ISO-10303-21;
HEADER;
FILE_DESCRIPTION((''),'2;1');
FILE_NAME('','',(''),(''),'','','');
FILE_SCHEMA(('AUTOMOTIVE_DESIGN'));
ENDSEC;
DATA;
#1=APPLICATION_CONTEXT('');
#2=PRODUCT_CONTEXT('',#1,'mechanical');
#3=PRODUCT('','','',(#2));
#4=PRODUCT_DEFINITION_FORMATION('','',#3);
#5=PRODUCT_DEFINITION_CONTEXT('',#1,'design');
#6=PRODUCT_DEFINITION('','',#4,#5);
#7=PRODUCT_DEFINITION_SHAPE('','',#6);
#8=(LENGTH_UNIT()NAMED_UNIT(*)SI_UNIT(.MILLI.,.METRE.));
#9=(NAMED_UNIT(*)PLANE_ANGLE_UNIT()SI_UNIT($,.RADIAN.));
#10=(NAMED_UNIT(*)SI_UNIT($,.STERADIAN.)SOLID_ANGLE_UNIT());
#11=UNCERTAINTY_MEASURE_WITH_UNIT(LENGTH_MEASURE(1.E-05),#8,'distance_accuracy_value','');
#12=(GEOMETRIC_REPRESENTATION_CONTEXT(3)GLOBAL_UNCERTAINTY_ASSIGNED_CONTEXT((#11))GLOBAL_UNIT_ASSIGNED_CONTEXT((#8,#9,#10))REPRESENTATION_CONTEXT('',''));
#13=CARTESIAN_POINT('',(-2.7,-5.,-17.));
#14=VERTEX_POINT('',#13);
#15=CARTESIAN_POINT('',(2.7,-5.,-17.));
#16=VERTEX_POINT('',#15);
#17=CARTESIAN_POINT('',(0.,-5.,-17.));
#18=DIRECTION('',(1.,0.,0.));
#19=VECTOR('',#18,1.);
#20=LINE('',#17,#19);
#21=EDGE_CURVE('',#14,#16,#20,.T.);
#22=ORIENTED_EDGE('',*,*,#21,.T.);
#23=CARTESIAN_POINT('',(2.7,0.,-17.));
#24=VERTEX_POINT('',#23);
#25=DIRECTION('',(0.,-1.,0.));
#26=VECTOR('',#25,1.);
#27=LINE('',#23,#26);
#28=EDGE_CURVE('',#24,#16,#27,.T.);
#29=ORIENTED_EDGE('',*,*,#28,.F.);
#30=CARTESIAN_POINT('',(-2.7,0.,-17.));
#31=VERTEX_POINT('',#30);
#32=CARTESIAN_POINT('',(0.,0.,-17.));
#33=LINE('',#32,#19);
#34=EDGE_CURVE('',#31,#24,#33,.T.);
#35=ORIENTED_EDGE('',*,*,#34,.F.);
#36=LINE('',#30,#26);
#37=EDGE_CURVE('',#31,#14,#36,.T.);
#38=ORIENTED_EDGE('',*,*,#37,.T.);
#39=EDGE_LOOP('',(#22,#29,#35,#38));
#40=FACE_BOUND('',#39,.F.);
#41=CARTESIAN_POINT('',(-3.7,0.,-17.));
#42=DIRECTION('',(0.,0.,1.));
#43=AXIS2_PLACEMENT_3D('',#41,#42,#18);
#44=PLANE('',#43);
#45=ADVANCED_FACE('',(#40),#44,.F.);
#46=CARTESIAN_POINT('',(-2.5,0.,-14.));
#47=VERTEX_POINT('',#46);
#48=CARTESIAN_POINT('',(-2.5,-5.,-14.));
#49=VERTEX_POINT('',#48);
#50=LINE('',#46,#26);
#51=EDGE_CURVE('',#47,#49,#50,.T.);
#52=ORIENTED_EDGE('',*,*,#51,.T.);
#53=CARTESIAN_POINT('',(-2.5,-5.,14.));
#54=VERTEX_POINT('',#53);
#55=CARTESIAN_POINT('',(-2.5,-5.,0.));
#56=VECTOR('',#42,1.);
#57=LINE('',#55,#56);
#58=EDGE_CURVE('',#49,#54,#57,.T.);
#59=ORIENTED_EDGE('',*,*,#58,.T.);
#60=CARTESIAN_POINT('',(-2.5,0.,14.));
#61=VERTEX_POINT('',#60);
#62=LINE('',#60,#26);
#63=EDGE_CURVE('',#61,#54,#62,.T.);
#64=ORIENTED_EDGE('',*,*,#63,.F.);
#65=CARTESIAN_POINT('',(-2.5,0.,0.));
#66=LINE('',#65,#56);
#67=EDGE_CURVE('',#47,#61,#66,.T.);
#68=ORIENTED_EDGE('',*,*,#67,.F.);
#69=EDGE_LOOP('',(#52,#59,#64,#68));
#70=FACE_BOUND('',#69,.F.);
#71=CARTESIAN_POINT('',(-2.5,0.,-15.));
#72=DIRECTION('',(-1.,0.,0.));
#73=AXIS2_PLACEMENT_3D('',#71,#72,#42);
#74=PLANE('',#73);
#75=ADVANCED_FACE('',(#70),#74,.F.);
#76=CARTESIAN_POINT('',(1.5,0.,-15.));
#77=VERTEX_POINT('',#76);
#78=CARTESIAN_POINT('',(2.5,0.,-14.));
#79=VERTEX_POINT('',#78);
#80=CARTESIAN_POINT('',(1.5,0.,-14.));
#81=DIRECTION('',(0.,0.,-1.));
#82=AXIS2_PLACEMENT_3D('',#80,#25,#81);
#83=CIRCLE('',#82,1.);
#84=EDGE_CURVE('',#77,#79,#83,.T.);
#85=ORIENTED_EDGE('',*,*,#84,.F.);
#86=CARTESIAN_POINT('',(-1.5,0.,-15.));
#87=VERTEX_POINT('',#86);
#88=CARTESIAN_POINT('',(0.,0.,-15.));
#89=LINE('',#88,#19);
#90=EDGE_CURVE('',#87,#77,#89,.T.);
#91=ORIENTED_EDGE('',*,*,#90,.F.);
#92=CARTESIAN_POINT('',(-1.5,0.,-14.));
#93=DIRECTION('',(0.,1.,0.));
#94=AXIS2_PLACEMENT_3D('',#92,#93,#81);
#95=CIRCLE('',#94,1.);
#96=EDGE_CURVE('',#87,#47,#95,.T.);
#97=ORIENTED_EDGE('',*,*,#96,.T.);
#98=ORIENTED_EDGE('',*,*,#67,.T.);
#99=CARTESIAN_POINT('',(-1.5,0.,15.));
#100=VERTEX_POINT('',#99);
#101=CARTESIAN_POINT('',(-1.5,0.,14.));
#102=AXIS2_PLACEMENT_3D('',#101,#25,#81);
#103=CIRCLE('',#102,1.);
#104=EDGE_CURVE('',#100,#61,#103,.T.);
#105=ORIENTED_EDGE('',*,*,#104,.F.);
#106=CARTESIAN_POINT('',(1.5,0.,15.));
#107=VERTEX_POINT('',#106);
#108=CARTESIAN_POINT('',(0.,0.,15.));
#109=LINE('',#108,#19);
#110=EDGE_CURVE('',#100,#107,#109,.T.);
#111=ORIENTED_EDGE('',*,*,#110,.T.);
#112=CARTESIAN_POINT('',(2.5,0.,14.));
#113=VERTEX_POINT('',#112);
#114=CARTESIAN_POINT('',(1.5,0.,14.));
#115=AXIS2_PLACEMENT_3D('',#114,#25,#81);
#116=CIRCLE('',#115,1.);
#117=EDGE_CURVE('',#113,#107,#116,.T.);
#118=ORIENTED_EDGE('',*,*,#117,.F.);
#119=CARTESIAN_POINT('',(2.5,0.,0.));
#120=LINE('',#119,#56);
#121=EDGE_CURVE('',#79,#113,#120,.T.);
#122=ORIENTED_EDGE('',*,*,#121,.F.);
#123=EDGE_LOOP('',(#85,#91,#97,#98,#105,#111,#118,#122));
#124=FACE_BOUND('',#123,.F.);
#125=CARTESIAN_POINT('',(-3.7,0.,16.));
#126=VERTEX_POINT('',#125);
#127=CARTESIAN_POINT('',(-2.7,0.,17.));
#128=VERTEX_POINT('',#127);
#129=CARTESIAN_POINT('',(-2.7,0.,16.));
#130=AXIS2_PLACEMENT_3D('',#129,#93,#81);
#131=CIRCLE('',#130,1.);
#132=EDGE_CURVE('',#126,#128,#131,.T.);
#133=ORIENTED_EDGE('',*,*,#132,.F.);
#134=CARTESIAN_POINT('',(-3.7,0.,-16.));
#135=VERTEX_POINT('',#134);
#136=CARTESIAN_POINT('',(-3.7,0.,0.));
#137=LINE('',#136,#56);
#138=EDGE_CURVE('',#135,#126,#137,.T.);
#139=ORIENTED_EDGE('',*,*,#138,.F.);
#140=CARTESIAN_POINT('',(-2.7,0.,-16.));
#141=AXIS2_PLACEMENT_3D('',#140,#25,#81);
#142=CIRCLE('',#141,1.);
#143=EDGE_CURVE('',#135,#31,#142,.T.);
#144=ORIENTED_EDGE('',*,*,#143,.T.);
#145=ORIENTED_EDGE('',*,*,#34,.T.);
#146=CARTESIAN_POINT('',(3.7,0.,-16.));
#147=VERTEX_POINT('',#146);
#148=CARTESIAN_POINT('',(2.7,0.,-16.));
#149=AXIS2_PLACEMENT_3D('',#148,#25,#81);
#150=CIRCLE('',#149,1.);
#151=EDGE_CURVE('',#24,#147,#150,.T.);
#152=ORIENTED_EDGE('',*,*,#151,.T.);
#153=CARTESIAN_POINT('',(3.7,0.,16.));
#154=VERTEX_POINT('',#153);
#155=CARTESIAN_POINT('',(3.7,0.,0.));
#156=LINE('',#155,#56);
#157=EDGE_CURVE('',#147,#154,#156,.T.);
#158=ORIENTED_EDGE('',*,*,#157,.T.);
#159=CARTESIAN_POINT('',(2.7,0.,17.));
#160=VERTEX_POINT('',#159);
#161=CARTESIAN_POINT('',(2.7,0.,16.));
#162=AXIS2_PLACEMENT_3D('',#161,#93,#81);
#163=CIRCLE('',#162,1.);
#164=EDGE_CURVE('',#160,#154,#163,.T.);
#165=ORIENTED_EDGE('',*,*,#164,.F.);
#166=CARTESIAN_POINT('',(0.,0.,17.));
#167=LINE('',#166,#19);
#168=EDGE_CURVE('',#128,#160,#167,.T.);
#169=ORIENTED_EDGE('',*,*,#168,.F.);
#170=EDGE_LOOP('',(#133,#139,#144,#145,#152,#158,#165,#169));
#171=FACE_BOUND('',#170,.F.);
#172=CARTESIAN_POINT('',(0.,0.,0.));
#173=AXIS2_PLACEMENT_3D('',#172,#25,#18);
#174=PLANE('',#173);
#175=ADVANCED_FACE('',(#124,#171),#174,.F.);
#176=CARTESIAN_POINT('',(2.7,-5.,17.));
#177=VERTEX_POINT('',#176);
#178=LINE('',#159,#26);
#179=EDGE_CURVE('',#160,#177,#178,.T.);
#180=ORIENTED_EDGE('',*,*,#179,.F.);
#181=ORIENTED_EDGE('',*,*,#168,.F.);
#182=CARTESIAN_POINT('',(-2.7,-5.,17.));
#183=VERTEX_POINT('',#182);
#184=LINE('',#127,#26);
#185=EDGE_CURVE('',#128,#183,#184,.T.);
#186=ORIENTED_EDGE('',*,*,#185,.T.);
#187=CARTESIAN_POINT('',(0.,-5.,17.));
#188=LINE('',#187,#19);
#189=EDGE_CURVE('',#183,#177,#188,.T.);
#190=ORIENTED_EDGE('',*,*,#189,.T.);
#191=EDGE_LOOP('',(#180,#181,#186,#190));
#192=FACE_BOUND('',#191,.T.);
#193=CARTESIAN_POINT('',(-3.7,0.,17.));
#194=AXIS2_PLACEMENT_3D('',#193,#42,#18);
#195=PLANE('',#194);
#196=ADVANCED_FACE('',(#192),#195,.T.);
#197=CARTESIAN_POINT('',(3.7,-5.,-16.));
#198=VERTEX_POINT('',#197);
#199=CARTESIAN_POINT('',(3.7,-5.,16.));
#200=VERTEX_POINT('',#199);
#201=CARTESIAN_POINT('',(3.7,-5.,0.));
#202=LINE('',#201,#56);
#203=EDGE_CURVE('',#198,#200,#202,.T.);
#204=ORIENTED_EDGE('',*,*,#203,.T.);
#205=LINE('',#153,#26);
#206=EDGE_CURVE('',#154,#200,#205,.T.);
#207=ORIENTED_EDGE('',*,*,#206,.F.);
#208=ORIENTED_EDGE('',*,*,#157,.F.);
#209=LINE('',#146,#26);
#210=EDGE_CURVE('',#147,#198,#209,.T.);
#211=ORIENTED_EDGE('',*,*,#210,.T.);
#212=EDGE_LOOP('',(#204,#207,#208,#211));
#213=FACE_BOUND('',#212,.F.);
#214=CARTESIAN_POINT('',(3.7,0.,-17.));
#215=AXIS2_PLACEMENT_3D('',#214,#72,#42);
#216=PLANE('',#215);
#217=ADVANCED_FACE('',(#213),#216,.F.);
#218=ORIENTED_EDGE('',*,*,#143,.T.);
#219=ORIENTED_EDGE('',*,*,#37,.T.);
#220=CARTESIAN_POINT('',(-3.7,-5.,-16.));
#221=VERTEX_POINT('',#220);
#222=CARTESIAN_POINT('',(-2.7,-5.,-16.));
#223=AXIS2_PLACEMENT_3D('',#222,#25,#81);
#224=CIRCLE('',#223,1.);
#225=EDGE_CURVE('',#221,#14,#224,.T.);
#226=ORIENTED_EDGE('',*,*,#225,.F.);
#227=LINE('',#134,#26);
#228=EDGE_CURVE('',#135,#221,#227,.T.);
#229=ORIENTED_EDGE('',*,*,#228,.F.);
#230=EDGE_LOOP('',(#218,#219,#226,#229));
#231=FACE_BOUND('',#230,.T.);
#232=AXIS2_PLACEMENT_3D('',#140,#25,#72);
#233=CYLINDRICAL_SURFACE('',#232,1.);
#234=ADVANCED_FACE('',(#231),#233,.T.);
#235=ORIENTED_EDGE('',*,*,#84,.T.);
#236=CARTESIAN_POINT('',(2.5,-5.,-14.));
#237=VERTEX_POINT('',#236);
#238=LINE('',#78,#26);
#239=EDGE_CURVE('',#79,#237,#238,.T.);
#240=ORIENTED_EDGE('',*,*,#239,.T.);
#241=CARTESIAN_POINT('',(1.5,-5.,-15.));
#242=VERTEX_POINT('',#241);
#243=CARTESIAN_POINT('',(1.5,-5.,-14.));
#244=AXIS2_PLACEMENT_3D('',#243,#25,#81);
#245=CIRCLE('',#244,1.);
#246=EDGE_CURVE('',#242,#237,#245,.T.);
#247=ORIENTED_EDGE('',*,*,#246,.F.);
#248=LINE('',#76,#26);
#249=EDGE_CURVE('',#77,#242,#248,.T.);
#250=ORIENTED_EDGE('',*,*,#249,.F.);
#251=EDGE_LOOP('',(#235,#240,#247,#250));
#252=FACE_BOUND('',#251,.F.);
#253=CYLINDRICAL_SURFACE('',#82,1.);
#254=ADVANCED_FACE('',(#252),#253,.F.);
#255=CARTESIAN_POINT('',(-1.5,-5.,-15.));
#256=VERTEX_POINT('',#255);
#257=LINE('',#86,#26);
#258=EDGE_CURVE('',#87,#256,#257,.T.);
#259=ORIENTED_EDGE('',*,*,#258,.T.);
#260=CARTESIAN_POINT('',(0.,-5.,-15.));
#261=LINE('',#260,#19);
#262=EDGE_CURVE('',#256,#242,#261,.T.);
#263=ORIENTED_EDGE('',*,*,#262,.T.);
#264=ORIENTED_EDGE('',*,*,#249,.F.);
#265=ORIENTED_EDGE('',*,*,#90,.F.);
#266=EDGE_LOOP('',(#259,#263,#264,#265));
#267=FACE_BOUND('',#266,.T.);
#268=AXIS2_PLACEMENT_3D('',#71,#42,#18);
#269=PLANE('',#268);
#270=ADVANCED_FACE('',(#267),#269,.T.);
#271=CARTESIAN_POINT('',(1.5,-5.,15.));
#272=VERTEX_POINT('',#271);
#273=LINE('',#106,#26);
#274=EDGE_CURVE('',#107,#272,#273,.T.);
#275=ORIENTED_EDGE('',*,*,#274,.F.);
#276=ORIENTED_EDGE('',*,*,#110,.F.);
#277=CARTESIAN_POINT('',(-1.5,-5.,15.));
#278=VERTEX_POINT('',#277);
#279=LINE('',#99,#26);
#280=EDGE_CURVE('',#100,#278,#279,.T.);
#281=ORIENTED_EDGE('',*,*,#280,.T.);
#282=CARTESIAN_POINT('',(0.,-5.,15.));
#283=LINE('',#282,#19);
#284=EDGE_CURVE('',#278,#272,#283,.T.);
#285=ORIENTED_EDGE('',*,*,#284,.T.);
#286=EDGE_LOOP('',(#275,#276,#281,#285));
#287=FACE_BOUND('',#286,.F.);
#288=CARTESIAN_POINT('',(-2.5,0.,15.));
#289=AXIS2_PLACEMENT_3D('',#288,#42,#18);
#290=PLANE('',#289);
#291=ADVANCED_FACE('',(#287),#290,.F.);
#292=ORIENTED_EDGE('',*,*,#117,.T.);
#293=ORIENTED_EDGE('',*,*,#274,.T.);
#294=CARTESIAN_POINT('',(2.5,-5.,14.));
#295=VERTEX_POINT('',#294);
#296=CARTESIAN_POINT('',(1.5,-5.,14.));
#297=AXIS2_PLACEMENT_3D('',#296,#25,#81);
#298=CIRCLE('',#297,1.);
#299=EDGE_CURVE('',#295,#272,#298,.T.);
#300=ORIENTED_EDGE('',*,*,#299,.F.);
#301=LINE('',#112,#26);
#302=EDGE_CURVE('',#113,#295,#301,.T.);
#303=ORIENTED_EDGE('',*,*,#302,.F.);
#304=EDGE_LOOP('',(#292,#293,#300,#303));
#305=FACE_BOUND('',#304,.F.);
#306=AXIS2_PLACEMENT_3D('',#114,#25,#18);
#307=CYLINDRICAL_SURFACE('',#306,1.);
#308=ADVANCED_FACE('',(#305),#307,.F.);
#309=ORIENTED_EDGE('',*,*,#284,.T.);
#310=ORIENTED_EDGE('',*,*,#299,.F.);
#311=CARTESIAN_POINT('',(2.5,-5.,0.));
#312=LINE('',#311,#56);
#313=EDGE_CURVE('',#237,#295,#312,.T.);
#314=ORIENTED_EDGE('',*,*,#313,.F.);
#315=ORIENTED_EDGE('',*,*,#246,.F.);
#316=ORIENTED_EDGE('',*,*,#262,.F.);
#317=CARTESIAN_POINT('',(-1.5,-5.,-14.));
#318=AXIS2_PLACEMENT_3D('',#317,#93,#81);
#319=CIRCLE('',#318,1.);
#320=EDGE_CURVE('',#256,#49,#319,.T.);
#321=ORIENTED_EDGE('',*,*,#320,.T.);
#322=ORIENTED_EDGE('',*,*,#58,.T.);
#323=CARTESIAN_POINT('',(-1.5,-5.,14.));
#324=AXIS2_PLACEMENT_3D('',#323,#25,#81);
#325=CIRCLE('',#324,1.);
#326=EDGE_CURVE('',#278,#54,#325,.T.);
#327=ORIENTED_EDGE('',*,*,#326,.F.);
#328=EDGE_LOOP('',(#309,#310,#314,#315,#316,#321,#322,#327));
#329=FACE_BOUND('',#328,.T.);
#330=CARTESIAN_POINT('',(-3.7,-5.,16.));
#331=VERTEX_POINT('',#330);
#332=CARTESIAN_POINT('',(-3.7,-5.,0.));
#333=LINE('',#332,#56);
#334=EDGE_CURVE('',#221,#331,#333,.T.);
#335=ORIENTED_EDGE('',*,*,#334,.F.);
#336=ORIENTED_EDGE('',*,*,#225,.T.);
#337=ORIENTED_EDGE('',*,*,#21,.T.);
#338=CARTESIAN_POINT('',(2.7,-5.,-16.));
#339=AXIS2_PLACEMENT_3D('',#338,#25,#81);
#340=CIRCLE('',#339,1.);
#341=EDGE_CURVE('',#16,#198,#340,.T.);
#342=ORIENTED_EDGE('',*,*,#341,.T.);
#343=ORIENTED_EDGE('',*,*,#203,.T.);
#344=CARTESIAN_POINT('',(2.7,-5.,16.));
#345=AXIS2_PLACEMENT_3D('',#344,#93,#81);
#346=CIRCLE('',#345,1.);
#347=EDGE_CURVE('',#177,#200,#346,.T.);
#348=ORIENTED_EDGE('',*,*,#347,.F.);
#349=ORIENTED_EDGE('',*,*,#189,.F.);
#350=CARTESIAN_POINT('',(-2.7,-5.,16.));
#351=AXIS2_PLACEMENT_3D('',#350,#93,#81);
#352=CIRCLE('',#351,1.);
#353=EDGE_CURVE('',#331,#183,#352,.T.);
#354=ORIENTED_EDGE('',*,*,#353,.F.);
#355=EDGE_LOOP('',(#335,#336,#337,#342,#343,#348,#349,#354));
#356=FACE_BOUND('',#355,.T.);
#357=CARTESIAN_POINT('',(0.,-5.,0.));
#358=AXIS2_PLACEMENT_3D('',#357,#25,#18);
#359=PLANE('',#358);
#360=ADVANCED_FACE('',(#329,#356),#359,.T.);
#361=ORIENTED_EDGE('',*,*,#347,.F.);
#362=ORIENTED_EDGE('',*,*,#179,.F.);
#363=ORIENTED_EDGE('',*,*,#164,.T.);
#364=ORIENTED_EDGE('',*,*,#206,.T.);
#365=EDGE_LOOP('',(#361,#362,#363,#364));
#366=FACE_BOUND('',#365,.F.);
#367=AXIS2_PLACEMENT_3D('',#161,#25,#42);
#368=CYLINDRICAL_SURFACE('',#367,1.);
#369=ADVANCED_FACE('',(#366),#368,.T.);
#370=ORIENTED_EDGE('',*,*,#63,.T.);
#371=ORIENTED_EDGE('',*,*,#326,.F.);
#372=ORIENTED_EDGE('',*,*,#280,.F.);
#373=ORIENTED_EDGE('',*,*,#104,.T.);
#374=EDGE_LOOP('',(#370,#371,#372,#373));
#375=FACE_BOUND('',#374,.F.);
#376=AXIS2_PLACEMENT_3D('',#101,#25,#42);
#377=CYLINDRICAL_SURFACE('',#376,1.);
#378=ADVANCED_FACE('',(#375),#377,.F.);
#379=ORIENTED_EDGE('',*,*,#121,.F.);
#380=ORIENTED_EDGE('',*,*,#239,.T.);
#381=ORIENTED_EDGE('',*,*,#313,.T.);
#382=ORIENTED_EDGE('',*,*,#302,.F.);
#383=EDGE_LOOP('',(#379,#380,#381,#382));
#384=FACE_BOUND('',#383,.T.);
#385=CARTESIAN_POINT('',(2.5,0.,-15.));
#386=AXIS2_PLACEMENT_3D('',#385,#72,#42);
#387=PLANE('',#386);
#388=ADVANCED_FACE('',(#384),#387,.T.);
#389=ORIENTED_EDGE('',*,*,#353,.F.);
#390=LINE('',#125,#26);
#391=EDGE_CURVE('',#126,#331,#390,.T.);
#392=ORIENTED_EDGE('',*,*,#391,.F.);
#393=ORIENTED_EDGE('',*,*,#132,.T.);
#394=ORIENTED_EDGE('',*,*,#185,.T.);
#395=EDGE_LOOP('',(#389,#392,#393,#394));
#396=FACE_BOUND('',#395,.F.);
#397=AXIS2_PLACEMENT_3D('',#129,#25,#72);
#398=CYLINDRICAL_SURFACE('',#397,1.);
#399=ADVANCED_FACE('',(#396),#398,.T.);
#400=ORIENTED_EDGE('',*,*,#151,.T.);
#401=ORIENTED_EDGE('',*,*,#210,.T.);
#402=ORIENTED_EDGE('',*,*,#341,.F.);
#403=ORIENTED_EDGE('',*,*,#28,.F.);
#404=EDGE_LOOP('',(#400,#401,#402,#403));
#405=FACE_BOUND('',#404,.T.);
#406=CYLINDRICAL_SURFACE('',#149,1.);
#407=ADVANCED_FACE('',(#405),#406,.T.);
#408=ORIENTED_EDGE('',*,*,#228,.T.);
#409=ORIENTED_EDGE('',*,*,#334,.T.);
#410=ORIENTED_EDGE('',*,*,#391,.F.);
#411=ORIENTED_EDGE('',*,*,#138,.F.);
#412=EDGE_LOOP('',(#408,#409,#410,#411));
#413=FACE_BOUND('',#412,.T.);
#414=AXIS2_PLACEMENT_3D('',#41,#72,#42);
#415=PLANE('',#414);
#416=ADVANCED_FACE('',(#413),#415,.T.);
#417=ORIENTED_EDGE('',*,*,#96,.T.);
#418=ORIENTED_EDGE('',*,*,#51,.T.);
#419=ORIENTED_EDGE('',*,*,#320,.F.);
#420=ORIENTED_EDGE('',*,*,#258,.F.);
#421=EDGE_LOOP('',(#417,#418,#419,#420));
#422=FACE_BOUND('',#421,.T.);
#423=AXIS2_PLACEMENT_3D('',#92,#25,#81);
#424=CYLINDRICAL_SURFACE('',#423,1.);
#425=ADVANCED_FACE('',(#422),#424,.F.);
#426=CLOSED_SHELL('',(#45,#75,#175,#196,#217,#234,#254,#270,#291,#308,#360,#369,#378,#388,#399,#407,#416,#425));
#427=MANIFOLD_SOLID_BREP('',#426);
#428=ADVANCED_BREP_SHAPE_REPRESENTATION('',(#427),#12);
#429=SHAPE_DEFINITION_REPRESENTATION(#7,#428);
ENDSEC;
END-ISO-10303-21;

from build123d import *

# Parameters (mm, degrees)
F0_W     = 7.4
F0_H     = 34
F0_W_2   = 5
F0_H_2   = 30
F1_DEPTH = 5
F2_R     = 1


with BuildPart() as f1:
    # F0 (on Front) → F1 (new body)
    with BuildSketch(Plane.XZ):
        Rectangle(F0_W, F0_H)
        Rectangle(F0_W_2, F0_H_2, mode=Mode.SUBTRACT)
    extrude(amount=F1_DEPTH)

    # F2
    f2_edges = [f1.edges().sort_by_distance(p)[0] for p in [
        (3.7, -2.5, 17),
        (-3.7, -2.5, 17),
        (-3.7, -2.5, -17),
        (3.7, -2.5, -17),
        (-2.5, -2.5, 15),
        (2.5, -2.5, 15),
        (-2.5, -2.5, -15),
        (2.5, -2.5, -15),
    ]]
    fillet(f2_edges, radius=F2_R)


solid = f1.part
